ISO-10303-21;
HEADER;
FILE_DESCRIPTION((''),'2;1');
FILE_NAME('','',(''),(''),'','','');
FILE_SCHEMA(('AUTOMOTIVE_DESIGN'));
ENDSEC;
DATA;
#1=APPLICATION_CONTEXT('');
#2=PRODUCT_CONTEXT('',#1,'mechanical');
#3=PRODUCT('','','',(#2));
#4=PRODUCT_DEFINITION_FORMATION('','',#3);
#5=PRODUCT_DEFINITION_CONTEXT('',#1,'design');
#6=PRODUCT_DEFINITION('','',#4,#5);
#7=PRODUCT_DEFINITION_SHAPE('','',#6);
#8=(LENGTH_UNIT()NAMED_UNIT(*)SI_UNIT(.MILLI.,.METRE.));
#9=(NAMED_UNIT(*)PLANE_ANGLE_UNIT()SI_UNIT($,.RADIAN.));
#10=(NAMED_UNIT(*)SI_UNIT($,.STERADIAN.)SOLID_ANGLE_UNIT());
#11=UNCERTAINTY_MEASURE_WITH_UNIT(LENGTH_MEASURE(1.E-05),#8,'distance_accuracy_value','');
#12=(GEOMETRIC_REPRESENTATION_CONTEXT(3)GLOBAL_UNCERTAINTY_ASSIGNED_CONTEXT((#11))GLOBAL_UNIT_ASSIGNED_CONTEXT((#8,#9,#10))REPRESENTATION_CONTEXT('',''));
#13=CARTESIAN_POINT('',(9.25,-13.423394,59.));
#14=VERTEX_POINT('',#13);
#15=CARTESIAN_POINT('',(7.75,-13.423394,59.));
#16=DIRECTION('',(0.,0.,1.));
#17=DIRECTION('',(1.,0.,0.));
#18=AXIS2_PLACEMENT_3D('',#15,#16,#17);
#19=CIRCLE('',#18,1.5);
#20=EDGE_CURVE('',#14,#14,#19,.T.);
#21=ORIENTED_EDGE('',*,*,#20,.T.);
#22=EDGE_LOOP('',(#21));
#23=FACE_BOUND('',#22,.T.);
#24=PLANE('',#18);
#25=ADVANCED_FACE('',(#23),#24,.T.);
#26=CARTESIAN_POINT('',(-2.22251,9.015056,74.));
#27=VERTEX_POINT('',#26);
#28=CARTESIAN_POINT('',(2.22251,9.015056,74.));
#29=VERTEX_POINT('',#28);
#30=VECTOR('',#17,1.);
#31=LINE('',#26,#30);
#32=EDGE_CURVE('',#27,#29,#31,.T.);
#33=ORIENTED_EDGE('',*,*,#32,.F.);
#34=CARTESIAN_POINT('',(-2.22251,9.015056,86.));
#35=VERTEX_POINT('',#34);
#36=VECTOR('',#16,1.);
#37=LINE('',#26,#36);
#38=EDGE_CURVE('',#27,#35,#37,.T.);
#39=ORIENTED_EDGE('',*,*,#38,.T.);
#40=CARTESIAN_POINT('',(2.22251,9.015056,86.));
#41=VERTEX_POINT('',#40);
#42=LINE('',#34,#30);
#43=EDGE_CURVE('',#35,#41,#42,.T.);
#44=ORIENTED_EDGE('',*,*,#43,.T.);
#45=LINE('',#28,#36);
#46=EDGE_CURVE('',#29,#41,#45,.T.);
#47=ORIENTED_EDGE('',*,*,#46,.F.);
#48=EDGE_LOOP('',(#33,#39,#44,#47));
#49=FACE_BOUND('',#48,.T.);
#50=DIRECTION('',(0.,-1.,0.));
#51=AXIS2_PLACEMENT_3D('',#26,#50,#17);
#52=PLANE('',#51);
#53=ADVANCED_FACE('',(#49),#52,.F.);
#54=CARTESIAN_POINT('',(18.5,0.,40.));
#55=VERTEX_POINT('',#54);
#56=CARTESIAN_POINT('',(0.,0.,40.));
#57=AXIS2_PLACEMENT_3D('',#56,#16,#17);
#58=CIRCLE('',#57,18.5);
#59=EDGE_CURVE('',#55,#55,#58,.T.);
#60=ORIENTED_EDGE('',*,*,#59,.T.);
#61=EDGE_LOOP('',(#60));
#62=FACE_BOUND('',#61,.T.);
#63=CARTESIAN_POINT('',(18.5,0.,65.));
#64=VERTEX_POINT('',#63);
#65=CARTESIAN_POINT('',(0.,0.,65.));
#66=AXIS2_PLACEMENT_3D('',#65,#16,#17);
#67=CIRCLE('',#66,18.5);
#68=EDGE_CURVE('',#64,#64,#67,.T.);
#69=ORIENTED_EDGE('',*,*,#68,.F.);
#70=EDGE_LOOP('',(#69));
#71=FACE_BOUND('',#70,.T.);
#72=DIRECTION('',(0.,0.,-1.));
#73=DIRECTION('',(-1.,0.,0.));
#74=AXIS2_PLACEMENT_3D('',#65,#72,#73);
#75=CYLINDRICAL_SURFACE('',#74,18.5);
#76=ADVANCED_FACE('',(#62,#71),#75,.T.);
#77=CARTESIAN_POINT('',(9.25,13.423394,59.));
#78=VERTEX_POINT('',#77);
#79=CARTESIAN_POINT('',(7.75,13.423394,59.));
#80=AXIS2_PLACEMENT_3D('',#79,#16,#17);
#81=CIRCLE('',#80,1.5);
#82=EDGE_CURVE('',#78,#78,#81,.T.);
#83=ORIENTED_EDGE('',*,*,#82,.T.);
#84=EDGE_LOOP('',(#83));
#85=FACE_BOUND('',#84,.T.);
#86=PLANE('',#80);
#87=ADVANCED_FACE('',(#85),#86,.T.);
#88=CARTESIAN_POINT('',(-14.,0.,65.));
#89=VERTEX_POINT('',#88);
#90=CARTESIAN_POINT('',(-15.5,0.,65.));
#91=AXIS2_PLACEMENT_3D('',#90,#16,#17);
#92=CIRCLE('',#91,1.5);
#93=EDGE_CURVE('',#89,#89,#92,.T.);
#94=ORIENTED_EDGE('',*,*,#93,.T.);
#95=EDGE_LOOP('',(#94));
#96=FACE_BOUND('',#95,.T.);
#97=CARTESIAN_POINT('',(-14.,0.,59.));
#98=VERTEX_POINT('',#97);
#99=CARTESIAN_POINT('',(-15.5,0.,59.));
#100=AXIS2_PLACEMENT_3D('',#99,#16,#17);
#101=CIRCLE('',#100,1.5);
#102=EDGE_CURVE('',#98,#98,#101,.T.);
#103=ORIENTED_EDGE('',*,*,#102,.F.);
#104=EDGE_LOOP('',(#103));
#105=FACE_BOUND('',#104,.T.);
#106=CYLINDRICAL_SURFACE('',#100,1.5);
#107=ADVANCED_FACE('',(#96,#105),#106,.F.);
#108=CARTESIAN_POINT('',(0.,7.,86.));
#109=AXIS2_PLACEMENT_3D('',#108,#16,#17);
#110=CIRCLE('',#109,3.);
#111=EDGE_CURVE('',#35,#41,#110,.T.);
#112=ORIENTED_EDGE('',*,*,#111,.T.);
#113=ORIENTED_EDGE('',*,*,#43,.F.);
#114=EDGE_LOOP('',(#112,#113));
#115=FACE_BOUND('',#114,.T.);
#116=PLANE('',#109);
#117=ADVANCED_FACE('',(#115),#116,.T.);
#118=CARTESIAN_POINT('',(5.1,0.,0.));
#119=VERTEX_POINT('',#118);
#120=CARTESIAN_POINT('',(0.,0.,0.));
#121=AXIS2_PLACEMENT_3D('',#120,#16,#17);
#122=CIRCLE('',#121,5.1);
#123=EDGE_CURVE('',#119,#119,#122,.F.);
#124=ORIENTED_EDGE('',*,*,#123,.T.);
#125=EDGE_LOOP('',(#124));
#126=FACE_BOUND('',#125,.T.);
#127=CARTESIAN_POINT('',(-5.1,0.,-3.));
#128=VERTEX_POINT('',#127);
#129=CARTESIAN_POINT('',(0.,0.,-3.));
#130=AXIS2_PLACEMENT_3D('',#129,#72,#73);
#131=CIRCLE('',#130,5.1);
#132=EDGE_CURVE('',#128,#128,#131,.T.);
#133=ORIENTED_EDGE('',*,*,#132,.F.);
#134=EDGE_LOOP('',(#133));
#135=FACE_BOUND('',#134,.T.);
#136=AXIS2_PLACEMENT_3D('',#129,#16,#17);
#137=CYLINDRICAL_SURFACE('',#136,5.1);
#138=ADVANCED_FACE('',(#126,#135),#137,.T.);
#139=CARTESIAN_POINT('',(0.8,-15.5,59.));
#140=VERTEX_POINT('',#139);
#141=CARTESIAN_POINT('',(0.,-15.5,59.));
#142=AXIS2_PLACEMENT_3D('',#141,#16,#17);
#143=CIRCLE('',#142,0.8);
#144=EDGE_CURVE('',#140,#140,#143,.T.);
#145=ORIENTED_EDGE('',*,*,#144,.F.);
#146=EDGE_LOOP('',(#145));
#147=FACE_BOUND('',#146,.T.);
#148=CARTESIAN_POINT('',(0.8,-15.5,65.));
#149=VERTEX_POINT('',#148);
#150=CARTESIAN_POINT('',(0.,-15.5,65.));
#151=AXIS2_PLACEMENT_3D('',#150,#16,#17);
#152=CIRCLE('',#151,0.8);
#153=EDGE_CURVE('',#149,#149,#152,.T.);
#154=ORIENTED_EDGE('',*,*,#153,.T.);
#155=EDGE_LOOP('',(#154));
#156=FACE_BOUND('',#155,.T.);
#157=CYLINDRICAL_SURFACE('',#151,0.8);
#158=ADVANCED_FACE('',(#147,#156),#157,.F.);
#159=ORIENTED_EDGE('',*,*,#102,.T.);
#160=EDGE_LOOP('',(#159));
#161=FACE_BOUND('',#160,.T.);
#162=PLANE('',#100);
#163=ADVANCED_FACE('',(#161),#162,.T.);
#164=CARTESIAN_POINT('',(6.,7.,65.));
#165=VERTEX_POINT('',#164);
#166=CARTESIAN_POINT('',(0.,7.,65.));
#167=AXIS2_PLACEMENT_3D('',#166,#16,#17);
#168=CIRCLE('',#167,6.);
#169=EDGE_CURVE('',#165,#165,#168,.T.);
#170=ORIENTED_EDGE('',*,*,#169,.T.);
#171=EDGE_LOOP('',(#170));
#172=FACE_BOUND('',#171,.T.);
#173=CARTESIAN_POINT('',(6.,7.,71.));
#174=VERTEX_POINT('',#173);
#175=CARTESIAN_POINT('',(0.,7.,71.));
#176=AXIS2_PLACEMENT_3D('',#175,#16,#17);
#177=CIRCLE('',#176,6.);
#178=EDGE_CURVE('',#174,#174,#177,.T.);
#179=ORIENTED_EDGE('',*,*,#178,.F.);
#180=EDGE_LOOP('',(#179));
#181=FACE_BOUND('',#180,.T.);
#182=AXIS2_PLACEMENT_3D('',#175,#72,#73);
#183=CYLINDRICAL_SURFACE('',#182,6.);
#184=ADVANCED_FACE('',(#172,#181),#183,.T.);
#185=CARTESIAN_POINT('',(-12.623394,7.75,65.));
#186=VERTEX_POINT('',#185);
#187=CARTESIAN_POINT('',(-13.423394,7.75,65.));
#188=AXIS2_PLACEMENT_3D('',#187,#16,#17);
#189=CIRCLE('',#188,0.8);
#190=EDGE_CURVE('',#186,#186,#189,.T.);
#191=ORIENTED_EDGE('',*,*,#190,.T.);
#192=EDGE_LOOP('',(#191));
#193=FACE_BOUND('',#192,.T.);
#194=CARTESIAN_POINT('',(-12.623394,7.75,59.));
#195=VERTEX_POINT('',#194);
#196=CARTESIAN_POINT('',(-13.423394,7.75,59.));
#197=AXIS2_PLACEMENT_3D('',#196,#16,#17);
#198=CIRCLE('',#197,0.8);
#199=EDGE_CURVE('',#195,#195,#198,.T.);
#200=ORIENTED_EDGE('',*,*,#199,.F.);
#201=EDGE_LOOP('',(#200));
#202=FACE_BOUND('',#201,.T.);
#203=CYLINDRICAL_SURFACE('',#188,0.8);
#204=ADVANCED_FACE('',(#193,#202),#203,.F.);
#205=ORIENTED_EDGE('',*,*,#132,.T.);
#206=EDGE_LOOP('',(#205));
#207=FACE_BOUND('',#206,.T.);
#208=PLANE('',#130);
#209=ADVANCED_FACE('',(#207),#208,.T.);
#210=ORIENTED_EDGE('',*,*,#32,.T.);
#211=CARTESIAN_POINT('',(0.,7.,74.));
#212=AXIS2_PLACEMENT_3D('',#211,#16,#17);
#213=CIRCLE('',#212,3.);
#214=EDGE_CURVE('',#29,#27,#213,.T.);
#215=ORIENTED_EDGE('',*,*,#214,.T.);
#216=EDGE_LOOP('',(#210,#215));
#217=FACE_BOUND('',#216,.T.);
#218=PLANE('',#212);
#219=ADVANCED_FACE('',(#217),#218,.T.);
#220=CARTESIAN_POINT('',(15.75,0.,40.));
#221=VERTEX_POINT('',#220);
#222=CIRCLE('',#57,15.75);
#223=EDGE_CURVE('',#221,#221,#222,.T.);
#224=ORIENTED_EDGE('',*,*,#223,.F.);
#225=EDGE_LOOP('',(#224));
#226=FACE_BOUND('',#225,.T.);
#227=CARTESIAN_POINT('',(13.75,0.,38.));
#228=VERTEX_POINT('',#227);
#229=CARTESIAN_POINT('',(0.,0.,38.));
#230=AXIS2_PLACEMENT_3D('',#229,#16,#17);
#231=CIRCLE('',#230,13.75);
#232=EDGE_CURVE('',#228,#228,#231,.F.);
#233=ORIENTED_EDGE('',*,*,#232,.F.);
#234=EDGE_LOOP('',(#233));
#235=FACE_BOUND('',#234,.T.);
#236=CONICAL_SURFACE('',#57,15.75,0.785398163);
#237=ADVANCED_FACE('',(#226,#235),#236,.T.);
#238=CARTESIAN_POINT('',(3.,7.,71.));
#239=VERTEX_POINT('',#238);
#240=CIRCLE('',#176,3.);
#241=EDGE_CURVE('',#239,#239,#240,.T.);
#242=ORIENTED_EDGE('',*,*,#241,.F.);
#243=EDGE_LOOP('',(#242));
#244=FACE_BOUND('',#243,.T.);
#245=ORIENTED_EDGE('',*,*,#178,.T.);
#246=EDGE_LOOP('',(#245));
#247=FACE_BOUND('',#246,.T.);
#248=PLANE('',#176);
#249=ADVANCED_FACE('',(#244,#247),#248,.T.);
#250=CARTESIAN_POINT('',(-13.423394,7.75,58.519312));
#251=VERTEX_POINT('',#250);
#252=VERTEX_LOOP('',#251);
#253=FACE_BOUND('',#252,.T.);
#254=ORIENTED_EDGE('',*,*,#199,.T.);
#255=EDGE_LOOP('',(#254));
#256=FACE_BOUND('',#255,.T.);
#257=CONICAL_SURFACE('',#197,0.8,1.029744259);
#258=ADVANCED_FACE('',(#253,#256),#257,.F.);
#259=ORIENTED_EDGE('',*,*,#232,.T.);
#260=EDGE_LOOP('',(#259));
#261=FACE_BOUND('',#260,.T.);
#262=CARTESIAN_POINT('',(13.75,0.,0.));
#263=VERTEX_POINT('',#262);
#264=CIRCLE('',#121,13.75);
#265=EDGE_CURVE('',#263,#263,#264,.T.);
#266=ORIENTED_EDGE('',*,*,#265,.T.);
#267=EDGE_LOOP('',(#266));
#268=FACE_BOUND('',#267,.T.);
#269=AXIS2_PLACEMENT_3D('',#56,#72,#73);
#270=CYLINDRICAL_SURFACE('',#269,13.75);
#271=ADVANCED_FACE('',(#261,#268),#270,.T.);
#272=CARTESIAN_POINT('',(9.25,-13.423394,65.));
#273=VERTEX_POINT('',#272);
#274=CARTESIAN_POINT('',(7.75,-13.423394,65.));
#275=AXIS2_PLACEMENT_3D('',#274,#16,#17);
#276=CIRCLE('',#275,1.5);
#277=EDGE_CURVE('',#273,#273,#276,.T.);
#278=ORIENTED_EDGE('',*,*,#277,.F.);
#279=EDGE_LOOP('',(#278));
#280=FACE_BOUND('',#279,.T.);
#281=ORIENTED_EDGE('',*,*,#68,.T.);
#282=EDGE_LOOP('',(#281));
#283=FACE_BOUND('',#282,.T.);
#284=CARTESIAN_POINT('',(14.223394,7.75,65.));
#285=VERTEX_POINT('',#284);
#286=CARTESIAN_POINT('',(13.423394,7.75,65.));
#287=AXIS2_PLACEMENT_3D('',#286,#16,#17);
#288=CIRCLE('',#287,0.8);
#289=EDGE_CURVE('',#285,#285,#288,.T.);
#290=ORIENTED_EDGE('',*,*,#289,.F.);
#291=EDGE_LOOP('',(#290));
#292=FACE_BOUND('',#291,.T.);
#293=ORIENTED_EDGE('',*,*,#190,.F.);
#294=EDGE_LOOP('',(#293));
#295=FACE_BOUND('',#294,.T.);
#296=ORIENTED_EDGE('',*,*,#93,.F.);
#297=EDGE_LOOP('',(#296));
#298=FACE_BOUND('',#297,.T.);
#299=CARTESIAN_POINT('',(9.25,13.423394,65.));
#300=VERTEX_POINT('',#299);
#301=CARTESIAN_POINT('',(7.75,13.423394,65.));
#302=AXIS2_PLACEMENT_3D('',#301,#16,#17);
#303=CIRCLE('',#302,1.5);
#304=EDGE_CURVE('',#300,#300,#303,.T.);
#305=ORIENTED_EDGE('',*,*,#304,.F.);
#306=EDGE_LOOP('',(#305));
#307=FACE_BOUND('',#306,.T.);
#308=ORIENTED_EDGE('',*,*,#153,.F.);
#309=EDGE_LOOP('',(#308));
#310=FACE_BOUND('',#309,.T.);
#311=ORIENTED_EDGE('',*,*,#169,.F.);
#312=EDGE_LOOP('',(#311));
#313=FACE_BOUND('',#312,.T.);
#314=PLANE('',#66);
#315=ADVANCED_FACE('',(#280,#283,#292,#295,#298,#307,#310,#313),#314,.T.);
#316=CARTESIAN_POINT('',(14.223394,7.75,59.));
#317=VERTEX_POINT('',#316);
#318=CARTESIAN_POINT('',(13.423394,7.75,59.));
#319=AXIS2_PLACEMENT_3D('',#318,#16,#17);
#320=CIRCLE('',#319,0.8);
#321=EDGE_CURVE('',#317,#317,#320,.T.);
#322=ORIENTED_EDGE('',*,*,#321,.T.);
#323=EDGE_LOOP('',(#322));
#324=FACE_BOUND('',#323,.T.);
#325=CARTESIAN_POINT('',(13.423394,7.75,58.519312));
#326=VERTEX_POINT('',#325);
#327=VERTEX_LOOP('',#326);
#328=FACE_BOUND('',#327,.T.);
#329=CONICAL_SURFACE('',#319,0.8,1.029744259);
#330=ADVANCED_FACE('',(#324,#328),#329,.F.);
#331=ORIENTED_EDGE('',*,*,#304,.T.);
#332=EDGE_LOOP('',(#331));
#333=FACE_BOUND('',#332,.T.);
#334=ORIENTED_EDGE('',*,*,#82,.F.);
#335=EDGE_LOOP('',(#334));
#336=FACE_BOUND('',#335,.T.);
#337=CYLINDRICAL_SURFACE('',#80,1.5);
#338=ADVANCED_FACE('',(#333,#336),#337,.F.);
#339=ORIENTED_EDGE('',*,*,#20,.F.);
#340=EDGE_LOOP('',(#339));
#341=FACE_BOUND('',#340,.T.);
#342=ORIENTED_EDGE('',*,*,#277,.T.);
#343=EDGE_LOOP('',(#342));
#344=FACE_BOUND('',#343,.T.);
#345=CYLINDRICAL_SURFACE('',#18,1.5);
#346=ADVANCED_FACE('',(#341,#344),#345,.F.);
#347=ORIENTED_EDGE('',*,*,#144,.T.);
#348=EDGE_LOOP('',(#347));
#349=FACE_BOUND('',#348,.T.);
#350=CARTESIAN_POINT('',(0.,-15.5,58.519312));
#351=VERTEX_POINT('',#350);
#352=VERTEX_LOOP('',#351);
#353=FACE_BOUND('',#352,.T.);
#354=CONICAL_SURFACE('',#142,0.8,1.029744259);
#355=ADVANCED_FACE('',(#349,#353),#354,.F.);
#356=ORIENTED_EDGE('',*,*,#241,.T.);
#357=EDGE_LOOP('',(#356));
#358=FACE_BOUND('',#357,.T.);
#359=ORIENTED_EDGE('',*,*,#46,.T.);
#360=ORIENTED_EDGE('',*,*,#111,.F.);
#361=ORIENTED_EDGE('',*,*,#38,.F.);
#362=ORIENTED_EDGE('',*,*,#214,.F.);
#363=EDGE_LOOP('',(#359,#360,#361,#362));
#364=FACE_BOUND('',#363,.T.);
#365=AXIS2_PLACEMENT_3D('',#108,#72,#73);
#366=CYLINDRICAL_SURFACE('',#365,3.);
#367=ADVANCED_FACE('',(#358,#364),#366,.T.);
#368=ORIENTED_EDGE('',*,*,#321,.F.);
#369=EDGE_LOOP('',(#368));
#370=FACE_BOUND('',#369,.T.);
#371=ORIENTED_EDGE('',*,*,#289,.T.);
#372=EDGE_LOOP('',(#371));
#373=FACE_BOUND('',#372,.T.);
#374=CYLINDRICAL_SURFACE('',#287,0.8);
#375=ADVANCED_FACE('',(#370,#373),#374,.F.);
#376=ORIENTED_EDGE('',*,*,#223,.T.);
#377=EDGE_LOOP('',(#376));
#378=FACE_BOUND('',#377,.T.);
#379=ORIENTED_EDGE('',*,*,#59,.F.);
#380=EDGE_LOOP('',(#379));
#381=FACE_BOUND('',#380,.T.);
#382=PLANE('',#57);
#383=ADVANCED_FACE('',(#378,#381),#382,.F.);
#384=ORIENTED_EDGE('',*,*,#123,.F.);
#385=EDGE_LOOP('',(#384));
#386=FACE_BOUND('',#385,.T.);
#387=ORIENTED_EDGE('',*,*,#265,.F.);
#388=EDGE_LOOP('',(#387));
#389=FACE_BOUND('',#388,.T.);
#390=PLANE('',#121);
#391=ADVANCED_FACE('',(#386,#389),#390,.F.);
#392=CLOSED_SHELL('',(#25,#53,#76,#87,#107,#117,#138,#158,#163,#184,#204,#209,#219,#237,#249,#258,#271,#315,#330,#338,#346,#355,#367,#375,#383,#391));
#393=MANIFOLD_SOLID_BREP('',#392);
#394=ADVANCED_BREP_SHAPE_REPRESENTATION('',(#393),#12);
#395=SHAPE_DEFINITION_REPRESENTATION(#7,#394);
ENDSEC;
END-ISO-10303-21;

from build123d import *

# Parameters (mm, degrees)
SKETCH_2_R          = 13.75
EXTRUDE_1_DEPTH     = 40
SKETCH_3_R          = 18.5
EXTRUDE_2_DEPTH     = 25
CHAMFER_1_SIZE      = 2
SKETCH_4_R          = 6
EXTRUDE_3_DEPTH     = 6
SKETCH_5_R          = 3
EXTRUDE_4_DEPTH     = 15
CUT_EXTRUDE_1_DEPTH = 12
SKETCH_7_R          = 1.5
CUT_EXTRUDE_2_DEPTH = 6
SKETCH_8_R          = 1.5
CUT_EXTRUDE_3_DEPTH = 6
SKETCH_10_R         = 1.5
CUT_EXTRUDE_4_DEPTH = 6
SKETCH_11_R         = 5.1
EXTRUDE_5_DEPTH     = 3
M2X0_4_1_D          = 1.6
M2X0_4_1_DEPTH      = 6
M2X0_4_1_TIP        = 0.480688495


with BuildPart() as part:
    # ｽｹｯﾁ2 → ﾎﾞｽ - 押し出し1 (new body)
    with BuildSketch(Plane.XY):
        Circle(SKETCH_2_R)
    extrude(amount=EXTRUDE_1_DEPTH)

    # ｽｹｯﾁ3 → ﾎﾞｽ - 押し出し2 (add)
    with BuildSketch(Plane.XY.offset(40)):
        Circle(SKETCH_3_R)
    extrude(amount=EXTRUDE_2_DEPTH)

    # 面取り1
    chamfer_1_edges = [part.edges().sort_by_distance(p)[0] for p in [
        (-13.75, 0, 40),
    ]]
    chamfer(chamfer_1_edges, length=CHAMFER_1_SIZE)

    # ｽｹｯﾁ4 → ﾎﾞｽ - 押し出し3 (add)
    with BuildSketch(Plane.XY.offset(65)):
        with Locations((0, 7)):
            Circle(SKETCH_4_R)
    extrude(amount=EXTRUDE_3_DEPTH)

    # ｽｹｯﾁ5 → ﾎﾞｽ - 押し出し4 (add)
    with BuildSketch(Plane.XY.offset(71)):
        with Locations((0, 7)):
            Circle(SKETCH_5_R)
    extrude(amount=EXTRUDE_4_DEPTH)

    # ｽｹｯﾁ6 → ｶｯﾄ - 押し出し1 (cut)
    with BuildSketch(Plane.XY.offset(86)):
        with BuildLine():
            Line((-2.222509648, 9.015056045), (2.222509648, 9.015056045))
            ThreePointArc((2.222509648, 9.015056045), (0, 10), (-2.222509648, 9.015056045))
        make_face()
    extrude(amount=-CUT_EXTRUDE_1_DEPTH, mode=Mode.SUBTRACT)

    # ｽｹｯﾁ7 → ｶｯﾄ - 押し出し2 (cut)
    with BuildSketch(Plane.XY.offset(65)):
        with Locations((-15.5, 0)):
            Circle(SKETCH_7_R)
    extrude(amount=-CUT_EXTRUDE_2_DEPTH, mode=Mode.SUBTRACT)

    # ｽｹｯﾁ8 → ｶｯﾄ - 押し出し3 (cut)
    with BuildSketch(Plane.XY.offset(65)):
        with Locations((7.75, -13.423393759)):
            Circle(SKETCH_8_R)
    extrude(amount=-CUT_EXTRUDE_3_DEPTH, mode=Mode.SUBTRACT)

    # ｽｹｯﾁ10 → ｶｯﾄ - 押し出し4 (cut)
    with BuildSketch(Plane.XY.offset(65)):
        with Locations((7.75, 13.423393759)):
            Circle(SKETCH_10_R)
    extrude(amount=-CUT_EXTRUDE_4_DEPTH, mode=Mode.SUBTRACT)

    # ｽｹｯﾁ11 → ﾎﾞｽ - 押し出し5 (add)
    with BuildSketch(Plane(origin=(0, 0, 0), x_dir=(-1, 0, 0), z_dir=(0, 0, -1))):
        Circle(SKETCH_11_R)
    extrude(amount=EXTRUDE_5_DEPTH)

    # M2x0.4 ねじ穴1
    with Locations(Plane.XY.offset(65)):
        with Locations((-13.423393759, 7.75), (0, -15.5), (13.423393759, 7.75)):
            Hole(M2X0_4_1_D / 2, depth=M2X0_4_1_DEPTH)
            with Locations((0, 0, -(M2X0_4_1_DEPTH + M2X0_4_1_TIP / 2))):  # 118° drill point
                Cone(0, M2X0_4_1_D / 2, M2X0_4_1_TIP, mode=Mode.SUBTRACT)


solid = part.part
